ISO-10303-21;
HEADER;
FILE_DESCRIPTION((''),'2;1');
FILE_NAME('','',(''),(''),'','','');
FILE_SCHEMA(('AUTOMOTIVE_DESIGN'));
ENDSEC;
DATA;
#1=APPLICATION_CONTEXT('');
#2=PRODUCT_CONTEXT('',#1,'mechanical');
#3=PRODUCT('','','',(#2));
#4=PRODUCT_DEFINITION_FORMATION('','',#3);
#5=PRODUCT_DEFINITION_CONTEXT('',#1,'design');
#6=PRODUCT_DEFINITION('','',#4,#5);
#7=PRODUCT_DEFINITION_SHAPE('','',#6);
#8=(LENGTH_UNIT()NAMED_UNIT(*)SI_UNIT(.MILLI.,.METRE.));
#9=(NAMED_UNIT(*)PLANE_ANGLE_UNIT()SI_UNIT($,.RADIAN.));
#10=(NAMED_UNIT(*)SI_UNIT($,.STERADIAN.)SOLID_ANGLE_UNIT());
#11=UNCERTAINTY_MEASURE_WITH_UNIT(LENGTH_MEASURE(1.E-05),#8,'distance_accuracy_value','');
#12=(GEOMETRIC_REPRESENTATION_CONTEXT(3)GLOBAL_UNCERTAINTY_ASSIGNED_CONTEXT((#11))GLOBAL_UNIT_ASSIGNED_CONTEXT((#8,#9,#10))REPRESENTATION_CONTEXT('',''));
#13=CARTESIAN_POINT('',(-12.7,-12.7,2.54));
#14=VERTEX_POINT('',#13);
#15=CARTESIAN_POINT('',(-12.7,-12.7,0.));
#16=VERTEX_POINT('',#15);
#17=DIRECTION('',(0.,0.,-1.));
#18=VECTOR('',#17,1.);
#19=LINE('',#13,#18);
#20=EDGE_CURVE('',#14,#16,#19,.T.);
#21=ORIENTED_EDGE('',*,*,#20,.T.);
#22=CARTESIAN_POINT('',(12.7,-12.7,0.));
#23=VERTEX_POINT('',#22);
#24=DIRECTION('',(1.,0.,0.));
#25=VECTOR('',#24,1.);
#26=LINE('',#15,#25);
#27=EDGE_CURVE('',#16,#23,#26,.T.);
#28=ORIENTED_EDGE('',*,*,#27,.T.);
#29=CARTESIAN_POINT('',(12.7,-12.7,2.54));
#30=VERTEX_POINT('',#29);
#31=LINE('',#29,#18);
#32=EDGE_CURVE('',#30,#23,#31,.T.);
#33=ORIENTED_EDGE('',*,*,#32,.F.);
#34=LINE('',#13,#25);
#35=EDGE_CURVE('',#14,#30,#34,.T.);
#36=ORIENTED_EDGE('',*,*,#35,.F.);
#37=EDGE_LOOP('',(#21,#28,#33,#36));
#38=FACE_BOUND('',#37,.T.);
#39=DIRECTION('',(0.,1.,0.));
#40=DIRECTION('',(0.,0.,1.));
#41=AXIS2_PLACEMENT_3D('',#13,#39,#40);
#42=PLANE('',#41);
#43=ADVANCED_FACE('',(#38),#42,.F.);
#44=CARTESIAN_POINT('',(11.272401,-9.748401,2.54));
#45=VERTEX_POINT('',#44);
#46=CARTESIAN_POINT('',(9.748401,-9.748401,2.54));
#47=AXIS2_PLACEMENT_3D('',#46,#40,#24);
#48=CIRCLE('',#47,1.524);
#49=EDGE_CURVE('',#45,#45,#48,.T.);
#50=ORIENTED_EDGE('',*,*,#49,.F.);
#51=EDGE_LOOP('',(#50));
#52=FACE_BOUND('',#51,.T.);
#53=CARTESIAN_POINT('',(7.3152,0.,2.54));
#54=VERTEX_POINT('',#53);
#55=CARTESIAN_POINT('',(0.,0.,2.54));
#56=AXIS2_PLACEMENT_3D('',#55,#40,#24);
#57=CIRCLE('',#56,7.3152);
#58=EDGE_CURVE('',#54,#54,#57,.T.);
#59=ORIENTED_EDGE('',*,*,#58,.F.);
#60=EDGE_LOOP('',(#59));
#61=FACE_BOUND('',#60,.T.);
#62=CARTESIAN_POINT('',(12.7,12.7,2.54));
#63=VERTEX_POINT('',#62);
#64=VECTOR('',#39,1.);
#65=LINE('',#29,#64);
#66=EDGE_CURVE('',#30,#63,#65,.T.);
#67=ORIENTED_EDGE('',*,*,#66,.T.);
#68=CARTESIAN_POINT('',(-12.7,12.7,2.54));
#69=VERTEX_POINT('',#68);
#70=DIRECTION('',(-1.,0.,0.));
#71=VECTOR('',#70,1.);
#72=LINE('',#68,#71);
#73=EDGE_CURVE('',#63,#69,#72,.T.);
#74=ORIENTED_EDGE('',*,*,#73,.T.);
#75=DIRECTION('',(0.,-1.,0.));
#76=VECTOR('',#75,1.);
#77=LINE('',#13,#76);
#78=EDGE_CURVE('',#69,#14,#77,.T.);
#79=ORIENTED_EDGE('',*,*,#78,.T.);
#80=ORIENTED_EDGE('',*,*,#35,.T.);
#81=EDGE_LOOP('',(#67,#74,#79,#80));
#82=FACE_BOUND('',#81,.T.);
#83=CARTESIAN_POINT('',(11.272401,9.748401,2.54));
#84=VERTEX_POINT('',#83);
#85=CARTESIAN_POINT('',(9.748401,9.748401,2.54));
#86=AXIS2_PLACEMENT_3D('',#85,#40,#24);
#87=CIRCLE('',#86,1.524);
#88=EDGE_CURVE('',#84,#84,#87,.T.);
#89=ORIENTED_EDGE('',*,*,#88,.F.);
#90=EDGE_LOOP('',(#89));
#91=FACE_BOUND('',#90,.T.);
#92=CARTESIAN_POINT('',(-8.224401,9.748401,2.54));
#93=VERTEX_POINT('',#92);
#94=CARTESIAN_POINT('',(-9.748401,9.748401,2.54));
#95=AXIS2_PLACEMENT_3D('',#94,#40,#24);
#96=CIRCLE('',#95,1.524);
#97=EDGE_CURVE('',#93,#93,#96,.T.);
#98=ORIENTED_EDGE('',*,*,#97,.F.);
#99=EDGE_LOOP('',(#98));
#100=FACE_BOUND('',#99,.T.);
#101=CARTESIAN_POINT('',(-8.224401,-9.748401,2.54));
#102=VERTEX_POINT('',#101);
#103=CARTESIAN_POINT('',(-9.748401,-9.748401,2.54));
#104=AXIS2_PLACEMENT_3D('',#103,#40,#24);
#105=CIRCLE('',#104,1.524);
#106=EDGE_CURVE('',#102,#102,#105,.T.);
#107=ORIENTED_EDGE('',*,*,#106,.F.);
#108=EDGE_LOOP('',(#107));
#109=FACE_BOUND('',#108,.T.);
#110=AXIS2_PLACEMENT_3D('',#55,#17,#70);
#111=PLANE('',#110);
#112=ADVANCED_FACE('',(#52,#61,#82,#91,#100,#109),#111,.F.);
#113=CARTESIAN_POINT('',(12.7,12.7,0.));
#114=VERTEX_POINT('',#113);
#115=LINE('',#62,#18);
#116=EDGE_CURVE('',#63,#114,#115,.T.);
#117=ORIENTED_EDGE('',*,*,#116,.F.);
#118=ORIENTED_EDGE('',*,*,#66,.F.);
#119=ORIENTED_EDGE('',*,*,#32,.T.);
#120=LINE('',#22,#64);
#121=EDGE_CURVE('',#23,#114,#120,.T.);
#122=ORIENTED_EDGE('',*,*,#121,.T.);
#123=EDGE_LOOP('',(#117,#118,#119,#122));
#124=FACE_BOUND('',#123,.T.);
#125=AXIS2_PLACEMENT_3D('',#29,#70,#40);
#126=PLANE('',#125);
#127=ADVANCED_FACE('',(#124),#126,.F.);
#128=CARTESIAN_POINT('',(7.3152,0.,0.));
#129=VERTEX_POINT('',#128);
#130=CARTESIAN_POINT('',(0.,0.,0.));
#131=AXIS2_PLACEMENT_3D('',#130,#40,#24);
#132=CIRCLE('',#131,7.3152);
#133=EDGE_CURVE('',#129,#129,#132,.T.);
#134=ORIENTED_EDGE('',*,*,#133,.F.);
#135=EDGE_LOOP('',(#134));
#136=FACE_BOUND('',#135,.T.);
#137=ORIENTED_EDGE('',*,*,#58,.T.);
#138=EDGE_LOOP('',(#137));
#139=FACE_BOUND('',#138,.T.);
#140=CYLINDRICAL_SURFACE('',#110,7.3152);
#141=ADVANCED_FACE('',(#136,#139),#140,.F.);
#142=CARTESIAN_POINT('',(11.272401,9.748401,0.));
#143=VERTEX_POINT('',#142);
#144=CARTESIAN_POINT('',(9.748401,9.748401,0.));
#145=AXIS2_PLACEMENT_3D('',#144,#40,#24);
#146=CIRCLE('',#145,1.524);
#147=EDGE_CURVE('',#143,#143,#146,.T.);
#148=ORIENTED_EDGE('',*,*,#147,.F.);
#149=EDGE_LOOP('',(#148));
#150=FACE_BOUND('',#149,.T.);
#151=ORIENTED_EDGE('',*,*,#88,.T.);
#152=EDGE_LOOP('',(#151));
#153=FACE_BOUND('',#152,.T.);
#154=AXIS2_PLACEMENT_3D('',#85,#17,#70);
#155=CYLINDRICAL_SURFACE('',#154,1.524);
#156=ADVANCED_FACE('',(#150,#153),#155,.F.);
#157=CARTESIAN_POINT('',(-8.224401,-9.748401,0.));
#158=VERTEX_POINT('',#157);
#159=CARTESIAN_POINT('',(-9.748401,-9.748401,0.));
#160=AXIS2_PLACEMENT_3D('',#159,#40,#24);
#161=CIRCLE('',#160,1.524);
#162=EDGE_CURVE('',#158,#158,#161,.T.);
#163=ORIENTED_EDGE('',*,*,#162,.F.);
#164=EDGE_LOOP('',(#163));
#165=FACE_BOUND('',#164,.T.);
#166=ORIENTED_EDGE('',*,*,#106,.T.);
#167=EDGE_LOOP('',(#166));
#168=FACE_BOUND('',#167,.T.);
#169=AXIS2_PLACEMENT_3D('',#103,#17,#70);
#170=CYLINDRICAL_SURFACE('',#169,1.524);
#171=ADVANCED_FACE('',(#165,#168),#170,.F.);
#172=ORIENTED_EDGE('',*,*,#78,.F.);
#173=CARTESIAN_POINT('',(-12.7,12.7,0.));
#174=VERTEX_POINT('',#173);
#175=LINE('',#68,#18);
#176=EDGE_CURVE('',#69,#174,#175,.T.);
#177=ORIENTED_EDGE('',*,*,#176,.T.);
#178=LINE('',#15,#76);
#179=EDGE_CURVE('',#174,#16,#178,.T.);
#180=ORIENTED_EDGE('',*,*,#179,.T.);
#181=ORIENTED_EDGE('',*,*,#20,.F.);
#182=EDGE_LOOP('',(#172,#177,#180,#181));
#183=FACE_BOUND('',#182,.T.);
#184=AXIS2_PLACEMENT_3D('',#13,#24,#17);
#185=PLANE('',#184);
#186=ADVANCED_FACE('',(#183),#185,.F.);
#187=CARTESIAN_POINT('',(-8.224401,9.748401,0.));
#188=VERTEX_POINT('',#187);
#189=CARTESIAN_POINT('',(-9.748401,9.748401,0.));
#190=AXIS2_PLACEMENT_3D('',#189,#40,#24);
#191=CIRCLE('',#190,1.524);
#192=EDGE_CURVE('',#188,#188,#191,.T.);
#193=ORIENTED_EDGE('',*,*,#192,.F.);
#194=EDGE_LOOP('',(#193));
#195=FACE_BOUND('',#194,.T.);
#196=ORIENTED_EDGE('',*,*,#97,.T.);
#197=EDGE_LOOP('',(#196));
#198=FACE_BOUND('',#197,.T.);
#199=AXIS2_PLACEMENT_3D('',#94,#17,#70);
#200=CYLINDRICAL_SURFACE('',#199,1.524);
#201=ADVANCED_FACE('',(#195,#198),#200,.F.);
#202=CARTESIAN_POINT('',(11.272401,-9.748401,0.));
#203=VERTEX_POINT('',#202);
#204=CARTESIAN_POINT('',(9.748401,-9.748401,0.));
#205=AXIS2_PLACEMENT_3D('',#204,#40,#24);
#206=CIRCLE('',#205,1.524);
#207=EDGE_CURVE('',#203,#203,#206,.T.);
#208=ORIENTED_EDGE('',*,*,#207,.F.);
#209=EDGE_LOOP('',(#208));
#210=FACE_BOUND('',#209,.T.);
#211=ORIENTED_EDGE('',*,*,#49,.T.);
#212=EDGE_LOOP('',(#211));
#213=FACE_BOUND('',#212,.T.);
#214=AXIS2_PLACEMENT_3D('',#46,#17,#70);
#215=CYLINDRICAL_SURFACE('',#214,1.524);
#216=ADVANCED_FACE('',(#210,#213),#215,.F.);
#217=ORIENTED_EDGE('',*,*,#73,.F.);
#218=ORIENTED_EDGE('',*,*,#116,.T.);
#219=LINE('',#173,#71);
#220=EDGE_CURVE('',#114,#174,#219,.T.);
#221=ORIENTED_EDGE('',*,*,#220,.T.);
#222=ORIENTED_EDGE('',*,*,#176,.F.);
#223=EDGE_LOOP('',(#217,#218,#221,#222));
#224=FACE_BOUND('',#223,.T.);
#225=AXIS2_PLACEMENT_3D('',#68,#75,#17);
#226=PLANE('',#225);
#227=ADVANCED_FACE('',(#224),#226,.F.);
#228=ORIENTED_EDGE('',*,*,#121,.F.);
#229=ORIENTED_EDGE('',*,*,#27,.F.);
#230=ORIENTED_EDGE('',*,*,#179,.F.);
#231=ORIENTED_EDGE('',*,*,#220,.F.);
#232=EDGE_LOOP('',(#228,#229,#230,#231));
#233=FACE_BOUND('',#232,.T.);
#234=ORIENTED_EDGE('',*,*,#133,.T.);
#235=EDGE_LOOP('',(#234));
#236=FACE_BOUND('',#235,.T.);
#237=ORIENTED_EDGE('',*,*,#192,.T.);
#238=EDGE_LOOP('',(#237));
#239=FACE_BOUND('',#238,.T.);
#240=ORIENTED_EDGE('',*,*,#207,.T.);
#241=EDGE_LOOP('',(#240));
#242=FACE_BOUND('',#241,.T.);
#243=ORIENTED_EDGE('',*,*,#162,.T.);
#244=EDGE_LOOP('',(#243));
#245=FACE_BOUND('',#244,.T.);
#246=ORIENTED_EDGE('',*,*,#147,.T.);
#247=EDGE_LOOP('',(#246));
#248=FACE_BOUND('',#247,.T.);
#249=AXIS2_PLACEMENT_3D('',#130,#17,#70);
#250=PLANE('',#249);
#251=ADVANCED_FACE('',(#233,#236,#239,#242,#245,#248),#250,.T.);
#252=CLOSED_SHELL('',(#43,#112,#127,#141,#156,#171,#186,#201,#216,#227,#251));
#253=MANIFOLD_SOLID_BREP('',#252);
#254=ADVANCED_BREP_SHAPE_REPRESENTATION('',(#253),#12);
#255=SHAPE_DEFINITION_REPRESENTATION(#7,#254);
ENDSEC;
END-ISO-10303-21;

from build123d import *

# Parameters (mm, degrees)
SKETCH1_W           = 25.4
SKETCH1_H           = 25.4
SKETCH1_R           = 7.3152
SKETCH1_R_2         = 1.524
BOSS_EXTRUDE6_DEPTH = 2.54


with BuildPart() as part:
    # Sketch1 → Boss-Extrude6 (new body)
    with BuildSketch(Plane.XY):
        Rectangle(SKETCH1_W, SKETCH1_H)
        Circle(SKETCH1_R, mode=Mode.SUBTRACT)
        with Locations((9.748400853, 9.748400853)):
            Circle(SKETCH1_R_2, mode=Mode.SUBTRACT)
        with Locations((-9.748400853, -9.748400853)):
            Circle(SKETCH1_R_2, mode=Mode.SUBTRACT)
        with Locations((9.748400853, -9.748400853)):
            Circle(SKETCH1_R_2, mode=Mode.SUBTRACT)
        with Locations((-9.748400853, 9.748400853)):
            Circle(SKETCH1_R_2, mode=Mode.SUBTRACT)
    extrude(amount=BOSS_EXTRUDE6_DEPTH)


solid = part.part
